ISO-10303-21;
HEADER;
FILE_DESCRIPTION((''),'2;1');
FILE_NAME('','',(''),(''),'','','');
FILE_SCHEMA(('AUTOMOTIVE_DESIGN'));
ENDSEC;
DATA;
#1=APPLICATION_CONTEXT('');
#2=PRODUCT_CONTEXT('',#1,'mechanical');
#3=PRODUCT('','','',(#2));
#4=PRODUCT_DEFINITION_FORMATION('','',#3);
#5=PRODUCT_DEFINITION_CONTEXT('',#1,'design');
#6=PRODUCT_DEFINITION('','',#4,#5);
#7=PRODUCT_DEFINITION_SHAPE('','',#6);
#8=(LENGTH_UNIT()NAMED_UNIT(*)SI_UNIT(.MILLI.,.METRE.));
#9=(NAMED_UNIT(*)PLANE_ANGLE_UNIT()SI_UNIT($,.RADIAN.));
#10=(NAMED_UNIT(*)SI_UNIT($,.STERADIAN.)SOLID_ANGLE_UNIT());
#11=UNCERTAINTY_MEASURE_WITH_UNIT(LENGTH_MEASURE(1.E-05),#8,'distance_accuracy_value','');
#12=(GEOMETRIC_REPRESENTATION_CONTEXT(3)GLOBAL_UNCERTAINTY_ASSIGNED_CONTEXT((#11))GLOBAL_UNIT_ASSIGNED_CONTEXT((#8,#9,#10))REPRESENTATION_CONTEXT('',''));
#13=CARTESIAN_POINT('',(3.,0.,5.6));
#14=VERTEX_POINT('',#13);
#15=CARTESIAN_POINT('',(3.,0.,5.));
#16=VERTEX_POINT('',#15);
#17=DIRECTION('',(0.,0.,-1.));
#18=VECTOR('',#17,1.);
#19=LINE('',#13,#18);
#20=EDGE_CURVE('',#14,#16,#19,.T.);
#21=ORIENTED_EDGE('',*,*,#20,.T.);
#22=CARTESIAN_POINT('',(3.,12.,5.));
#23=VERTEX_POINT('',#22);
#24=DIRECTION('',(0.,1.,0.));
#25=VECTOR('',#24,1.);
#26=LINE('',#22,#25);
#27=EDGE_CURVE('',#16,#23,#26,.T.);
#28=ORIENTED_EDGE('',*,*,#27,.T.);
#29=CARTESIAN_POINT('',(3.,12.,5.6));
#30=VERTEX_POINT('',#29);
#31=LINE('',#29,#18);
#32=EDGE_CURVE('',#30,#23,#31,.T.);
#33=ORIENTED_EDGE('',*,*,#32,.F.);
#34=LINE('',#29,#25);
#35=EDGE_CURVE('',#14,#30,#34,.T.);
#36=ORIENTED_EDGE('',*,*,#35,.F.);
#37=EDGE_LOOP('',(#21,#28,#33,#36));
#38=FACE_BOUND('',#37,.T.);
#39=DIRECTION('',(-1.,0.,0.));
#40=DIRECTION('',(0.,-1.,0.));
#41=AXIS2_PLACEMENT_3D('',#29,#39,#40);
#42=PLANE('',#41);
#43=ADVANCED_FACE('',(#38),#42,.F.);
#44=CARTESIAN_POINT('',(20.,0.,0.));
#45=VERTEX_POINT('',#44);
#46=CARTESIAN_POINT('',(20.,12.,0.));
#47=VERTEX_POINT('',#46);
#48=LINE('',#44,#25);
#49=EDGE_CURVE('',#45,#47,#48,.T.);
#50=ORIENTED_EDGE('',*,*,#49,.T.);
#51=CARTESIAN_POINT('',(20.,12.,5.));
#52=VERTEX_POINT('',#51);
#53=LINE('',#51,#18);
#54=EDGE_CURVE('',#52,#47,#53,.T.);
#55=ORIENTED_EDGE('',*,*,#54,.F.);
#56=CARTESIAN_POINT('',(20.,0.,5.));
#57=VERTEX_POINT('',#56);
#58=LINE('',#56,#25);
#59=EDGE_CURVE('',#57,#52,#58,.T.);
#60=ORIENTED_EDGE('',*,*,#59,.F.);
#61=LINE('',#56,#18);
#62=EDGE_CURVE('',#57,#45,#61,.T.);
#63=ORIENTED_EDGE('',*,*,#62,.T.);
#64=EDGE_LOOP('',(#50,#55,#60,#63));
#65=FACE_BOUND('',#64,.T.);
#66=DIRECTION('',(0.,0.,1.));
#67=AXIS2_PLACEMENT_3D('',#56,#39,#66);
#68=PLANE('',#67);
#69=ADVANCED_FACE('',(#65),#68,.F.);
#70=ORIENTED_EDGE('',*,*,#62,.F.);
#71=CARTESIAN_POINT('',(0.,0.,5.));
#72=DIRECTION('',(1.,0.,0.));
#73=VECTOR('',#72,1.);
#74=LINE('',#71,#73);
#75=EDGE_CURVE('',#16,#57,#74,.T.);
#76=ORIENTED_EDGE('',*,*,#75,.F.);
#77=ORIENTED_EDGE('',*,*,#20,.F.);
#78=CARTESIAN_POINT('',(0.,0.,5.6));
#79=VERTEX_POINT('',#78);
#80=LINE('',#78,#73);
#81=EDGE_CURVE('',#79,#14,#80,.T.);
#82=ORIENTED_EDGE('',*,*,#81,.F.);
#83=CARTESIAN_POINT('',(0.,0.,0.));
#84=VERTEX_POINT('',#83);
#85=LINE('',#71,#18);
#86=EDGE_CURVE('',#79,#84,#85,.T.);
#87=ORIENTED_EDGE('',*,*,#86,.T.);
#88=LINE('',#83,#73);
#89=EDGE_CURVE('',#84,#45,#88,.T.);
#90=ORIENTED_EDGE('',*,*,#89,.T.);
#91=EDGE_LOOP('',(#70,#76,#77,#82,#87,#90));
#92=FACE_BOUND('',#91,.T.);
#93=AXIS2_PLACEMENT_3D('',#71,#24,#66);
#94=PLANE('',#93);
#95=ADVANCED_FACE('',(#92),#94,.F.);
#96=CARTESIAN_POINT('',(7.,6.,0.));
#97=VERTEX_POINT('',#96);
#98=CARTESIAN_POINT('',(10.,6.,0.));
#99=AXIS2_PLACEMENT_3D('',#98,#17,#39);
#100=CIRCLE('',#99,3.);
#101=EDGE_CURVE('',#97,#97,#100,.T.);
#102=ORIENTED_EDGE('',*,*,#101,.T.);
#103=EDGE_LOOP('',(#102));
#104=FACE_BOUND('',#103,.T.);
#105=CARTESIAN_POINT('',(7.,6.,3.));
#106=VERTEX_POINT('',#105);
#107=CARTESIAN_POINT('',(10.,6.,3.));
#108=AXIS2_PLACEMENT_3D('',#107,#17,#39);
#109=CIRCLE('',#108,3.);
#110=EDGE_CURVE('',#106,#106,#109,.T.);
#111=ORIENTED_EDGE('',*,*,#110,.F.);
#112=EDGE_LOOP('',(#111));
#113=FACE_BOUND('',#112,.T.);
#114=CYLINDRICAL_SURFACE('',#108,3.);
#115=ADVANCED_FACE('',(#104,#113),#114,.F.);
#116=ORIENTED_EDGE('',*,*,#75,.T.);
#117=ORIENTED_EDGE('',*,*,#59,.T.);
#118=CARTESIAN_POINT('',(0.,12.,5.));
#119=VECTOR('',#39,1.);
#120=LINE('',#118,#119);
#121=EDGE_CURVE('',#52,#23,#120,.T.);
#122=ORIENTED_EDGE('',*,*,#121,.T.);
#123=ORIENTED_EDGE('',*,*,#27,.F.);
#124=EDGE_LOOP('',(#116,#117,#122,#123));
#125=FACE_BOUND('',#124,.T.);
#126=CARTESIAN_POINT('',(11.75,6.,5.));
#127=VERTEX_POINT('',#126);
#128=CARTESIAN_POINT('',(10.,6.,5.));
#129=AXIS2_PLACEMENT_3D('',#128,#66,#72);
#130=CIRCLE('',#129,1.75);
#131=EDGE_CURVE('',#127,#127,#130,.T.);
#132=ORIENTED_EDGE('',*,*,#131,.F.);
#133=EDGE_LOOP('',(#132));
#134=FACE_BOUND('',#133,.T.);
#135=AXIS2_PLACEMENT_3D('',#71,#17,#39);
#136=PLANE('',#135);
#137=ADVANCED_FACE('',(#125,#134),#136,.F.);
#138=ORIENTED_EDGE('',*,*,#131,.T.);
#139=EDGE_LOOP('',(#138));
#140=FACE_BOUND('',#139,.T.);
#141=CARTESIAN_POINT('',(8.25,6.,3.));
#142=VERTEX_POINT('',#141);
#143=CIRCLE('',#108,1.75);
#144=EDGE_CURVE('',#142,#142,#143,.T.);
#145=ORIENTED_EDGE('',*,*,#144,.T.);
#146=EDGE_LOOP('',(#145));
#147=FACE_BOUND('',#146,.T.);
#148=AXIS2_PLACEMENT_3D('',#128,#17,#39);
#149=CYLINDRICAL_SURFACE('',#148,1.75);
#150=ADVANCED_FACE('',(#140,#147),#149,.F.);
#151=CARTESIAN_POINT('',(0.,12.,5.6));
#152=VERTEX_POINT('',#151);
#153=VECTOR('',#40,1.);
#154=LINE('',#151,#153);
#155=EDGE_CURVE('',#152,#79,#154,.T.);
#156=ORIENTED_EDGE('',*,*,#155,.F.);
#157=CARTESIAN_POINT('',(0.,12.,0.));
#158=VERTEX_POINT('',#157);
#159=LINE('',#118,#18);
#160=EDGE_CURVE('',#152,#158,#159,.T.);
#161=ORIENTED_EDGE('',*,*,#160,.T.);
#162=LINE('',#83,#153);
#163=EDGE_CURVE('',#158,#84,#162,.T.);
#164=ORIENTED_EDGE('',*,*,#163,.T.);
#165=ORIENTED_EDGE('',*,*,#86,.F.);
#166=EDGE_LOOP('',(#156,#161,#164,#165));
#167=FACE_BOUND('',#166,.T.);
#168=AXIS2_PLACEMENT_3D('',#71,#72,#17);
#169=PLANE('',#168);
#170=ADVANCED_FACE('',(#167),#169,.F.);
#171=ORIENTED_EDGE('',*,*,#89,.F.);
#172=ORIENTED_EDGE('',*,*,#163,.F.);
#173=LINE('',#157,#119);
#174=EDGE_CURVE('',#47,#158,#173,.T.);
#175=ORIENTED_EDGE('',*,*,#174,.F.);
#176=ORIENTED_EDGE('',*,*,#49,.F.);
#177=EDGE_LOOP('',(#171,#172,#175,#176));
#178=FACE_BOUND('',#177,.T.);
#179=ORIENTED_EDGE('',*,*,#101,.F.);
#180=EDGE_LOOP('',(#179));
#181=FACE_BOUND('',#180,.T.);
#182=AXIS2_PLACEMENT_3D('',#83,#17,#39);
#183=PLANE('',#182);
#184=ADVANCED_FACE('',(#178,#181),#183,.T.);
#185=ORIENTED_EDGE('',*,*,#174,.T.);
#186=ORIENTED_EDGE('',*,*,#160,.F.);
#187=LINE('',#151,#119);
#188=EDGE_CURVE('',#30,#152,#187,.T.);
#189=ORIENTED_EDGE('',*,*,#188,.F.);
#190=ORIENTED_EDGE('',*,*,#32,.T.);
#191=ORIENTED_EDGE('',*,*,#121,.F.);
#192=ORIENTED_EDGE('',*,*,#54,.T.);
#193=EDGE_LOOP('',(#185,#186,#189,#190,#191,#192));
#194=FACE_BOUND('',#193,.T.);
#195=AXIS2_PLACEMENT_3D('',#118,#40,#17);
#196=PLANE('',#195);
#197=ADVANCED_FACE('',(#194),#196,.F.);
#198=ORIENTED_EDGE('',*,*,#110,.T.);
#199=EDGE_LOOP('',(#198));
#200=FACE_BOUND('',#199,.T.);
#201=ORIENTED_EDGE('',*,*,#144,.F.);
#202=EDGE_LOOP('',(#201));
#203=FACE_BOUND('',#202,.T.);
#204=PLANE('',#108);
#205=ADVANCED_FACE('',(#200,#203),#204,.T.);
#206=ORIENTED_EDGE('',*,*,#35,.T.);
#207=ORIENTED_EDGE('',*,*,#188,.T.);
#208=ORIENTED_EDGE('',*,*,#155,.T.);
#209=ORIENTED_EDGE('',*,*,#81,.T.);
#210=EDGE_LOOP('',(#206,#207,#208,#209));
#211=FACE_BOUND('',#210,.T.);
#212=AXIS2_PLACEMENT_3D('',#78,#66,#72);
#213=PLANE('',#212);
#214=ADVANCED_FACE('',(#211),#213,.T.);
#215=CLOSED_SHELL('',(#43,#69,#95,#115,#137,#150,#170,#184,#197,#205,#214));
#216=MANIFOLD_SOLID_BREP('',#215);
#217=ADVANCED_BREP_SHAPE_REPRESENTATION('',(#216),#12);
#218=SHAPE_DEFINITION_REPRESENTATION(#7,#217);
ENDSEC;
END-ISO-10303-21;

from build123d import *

# Parameters (mm, degrees)
SKETCH1_W           = 20
SKETCH1_H           = 12
SKETCH1_R           = 1.75
BOSS_EXTRUDE1_DEPTH = 5
SKETCH2_W           = 3
SKETCH2_H           = 12
BOSS_EXTRUDE2_DEPTH = 0.6
SKETCH3_R           = 3
CUT_EXTRUDE1_DEPTH  = 3


with BuildPart() as part:
    # Sketch1 → Boss-Extrude1 (new body)
    with BuildSketch(Plane.XY):
        with Locations((10, 6)):
            Rectangle(SKETCH1_W, SKETCH1_H)
        with Locations((10, 6)):
            Circle(SKETCH1_R, mode=Mode.SUBTRACT)
    extrude(amount=BOSS_EXTRUDE1_DEPTH)

    # Sketch2 → Boss-Extrude2 (add)
    with BuildSketch(Plane.XY.offset(5)):
        with Locations((1.5, 6)):
            Rectangle(SKETCH2_W, SKETCH2_H)
    extrude(amount=BOSS_EXTRUDE2_DEPTH)

    # Sketch3 → Cut-Extrude1 (cut)
    with BuildSketch(Plane(origin=(0, 0, 0), x_dir=(-1, 0, 0), z_dir=(0, 0, -1))):
        with Locations((-10, 6)):
            Circle(SKETCH3_R)
    extrude(amount=-CUT_EXTRUDE1_DEPTH, mode=Mode.SUBTRACT)


solid = part.part
